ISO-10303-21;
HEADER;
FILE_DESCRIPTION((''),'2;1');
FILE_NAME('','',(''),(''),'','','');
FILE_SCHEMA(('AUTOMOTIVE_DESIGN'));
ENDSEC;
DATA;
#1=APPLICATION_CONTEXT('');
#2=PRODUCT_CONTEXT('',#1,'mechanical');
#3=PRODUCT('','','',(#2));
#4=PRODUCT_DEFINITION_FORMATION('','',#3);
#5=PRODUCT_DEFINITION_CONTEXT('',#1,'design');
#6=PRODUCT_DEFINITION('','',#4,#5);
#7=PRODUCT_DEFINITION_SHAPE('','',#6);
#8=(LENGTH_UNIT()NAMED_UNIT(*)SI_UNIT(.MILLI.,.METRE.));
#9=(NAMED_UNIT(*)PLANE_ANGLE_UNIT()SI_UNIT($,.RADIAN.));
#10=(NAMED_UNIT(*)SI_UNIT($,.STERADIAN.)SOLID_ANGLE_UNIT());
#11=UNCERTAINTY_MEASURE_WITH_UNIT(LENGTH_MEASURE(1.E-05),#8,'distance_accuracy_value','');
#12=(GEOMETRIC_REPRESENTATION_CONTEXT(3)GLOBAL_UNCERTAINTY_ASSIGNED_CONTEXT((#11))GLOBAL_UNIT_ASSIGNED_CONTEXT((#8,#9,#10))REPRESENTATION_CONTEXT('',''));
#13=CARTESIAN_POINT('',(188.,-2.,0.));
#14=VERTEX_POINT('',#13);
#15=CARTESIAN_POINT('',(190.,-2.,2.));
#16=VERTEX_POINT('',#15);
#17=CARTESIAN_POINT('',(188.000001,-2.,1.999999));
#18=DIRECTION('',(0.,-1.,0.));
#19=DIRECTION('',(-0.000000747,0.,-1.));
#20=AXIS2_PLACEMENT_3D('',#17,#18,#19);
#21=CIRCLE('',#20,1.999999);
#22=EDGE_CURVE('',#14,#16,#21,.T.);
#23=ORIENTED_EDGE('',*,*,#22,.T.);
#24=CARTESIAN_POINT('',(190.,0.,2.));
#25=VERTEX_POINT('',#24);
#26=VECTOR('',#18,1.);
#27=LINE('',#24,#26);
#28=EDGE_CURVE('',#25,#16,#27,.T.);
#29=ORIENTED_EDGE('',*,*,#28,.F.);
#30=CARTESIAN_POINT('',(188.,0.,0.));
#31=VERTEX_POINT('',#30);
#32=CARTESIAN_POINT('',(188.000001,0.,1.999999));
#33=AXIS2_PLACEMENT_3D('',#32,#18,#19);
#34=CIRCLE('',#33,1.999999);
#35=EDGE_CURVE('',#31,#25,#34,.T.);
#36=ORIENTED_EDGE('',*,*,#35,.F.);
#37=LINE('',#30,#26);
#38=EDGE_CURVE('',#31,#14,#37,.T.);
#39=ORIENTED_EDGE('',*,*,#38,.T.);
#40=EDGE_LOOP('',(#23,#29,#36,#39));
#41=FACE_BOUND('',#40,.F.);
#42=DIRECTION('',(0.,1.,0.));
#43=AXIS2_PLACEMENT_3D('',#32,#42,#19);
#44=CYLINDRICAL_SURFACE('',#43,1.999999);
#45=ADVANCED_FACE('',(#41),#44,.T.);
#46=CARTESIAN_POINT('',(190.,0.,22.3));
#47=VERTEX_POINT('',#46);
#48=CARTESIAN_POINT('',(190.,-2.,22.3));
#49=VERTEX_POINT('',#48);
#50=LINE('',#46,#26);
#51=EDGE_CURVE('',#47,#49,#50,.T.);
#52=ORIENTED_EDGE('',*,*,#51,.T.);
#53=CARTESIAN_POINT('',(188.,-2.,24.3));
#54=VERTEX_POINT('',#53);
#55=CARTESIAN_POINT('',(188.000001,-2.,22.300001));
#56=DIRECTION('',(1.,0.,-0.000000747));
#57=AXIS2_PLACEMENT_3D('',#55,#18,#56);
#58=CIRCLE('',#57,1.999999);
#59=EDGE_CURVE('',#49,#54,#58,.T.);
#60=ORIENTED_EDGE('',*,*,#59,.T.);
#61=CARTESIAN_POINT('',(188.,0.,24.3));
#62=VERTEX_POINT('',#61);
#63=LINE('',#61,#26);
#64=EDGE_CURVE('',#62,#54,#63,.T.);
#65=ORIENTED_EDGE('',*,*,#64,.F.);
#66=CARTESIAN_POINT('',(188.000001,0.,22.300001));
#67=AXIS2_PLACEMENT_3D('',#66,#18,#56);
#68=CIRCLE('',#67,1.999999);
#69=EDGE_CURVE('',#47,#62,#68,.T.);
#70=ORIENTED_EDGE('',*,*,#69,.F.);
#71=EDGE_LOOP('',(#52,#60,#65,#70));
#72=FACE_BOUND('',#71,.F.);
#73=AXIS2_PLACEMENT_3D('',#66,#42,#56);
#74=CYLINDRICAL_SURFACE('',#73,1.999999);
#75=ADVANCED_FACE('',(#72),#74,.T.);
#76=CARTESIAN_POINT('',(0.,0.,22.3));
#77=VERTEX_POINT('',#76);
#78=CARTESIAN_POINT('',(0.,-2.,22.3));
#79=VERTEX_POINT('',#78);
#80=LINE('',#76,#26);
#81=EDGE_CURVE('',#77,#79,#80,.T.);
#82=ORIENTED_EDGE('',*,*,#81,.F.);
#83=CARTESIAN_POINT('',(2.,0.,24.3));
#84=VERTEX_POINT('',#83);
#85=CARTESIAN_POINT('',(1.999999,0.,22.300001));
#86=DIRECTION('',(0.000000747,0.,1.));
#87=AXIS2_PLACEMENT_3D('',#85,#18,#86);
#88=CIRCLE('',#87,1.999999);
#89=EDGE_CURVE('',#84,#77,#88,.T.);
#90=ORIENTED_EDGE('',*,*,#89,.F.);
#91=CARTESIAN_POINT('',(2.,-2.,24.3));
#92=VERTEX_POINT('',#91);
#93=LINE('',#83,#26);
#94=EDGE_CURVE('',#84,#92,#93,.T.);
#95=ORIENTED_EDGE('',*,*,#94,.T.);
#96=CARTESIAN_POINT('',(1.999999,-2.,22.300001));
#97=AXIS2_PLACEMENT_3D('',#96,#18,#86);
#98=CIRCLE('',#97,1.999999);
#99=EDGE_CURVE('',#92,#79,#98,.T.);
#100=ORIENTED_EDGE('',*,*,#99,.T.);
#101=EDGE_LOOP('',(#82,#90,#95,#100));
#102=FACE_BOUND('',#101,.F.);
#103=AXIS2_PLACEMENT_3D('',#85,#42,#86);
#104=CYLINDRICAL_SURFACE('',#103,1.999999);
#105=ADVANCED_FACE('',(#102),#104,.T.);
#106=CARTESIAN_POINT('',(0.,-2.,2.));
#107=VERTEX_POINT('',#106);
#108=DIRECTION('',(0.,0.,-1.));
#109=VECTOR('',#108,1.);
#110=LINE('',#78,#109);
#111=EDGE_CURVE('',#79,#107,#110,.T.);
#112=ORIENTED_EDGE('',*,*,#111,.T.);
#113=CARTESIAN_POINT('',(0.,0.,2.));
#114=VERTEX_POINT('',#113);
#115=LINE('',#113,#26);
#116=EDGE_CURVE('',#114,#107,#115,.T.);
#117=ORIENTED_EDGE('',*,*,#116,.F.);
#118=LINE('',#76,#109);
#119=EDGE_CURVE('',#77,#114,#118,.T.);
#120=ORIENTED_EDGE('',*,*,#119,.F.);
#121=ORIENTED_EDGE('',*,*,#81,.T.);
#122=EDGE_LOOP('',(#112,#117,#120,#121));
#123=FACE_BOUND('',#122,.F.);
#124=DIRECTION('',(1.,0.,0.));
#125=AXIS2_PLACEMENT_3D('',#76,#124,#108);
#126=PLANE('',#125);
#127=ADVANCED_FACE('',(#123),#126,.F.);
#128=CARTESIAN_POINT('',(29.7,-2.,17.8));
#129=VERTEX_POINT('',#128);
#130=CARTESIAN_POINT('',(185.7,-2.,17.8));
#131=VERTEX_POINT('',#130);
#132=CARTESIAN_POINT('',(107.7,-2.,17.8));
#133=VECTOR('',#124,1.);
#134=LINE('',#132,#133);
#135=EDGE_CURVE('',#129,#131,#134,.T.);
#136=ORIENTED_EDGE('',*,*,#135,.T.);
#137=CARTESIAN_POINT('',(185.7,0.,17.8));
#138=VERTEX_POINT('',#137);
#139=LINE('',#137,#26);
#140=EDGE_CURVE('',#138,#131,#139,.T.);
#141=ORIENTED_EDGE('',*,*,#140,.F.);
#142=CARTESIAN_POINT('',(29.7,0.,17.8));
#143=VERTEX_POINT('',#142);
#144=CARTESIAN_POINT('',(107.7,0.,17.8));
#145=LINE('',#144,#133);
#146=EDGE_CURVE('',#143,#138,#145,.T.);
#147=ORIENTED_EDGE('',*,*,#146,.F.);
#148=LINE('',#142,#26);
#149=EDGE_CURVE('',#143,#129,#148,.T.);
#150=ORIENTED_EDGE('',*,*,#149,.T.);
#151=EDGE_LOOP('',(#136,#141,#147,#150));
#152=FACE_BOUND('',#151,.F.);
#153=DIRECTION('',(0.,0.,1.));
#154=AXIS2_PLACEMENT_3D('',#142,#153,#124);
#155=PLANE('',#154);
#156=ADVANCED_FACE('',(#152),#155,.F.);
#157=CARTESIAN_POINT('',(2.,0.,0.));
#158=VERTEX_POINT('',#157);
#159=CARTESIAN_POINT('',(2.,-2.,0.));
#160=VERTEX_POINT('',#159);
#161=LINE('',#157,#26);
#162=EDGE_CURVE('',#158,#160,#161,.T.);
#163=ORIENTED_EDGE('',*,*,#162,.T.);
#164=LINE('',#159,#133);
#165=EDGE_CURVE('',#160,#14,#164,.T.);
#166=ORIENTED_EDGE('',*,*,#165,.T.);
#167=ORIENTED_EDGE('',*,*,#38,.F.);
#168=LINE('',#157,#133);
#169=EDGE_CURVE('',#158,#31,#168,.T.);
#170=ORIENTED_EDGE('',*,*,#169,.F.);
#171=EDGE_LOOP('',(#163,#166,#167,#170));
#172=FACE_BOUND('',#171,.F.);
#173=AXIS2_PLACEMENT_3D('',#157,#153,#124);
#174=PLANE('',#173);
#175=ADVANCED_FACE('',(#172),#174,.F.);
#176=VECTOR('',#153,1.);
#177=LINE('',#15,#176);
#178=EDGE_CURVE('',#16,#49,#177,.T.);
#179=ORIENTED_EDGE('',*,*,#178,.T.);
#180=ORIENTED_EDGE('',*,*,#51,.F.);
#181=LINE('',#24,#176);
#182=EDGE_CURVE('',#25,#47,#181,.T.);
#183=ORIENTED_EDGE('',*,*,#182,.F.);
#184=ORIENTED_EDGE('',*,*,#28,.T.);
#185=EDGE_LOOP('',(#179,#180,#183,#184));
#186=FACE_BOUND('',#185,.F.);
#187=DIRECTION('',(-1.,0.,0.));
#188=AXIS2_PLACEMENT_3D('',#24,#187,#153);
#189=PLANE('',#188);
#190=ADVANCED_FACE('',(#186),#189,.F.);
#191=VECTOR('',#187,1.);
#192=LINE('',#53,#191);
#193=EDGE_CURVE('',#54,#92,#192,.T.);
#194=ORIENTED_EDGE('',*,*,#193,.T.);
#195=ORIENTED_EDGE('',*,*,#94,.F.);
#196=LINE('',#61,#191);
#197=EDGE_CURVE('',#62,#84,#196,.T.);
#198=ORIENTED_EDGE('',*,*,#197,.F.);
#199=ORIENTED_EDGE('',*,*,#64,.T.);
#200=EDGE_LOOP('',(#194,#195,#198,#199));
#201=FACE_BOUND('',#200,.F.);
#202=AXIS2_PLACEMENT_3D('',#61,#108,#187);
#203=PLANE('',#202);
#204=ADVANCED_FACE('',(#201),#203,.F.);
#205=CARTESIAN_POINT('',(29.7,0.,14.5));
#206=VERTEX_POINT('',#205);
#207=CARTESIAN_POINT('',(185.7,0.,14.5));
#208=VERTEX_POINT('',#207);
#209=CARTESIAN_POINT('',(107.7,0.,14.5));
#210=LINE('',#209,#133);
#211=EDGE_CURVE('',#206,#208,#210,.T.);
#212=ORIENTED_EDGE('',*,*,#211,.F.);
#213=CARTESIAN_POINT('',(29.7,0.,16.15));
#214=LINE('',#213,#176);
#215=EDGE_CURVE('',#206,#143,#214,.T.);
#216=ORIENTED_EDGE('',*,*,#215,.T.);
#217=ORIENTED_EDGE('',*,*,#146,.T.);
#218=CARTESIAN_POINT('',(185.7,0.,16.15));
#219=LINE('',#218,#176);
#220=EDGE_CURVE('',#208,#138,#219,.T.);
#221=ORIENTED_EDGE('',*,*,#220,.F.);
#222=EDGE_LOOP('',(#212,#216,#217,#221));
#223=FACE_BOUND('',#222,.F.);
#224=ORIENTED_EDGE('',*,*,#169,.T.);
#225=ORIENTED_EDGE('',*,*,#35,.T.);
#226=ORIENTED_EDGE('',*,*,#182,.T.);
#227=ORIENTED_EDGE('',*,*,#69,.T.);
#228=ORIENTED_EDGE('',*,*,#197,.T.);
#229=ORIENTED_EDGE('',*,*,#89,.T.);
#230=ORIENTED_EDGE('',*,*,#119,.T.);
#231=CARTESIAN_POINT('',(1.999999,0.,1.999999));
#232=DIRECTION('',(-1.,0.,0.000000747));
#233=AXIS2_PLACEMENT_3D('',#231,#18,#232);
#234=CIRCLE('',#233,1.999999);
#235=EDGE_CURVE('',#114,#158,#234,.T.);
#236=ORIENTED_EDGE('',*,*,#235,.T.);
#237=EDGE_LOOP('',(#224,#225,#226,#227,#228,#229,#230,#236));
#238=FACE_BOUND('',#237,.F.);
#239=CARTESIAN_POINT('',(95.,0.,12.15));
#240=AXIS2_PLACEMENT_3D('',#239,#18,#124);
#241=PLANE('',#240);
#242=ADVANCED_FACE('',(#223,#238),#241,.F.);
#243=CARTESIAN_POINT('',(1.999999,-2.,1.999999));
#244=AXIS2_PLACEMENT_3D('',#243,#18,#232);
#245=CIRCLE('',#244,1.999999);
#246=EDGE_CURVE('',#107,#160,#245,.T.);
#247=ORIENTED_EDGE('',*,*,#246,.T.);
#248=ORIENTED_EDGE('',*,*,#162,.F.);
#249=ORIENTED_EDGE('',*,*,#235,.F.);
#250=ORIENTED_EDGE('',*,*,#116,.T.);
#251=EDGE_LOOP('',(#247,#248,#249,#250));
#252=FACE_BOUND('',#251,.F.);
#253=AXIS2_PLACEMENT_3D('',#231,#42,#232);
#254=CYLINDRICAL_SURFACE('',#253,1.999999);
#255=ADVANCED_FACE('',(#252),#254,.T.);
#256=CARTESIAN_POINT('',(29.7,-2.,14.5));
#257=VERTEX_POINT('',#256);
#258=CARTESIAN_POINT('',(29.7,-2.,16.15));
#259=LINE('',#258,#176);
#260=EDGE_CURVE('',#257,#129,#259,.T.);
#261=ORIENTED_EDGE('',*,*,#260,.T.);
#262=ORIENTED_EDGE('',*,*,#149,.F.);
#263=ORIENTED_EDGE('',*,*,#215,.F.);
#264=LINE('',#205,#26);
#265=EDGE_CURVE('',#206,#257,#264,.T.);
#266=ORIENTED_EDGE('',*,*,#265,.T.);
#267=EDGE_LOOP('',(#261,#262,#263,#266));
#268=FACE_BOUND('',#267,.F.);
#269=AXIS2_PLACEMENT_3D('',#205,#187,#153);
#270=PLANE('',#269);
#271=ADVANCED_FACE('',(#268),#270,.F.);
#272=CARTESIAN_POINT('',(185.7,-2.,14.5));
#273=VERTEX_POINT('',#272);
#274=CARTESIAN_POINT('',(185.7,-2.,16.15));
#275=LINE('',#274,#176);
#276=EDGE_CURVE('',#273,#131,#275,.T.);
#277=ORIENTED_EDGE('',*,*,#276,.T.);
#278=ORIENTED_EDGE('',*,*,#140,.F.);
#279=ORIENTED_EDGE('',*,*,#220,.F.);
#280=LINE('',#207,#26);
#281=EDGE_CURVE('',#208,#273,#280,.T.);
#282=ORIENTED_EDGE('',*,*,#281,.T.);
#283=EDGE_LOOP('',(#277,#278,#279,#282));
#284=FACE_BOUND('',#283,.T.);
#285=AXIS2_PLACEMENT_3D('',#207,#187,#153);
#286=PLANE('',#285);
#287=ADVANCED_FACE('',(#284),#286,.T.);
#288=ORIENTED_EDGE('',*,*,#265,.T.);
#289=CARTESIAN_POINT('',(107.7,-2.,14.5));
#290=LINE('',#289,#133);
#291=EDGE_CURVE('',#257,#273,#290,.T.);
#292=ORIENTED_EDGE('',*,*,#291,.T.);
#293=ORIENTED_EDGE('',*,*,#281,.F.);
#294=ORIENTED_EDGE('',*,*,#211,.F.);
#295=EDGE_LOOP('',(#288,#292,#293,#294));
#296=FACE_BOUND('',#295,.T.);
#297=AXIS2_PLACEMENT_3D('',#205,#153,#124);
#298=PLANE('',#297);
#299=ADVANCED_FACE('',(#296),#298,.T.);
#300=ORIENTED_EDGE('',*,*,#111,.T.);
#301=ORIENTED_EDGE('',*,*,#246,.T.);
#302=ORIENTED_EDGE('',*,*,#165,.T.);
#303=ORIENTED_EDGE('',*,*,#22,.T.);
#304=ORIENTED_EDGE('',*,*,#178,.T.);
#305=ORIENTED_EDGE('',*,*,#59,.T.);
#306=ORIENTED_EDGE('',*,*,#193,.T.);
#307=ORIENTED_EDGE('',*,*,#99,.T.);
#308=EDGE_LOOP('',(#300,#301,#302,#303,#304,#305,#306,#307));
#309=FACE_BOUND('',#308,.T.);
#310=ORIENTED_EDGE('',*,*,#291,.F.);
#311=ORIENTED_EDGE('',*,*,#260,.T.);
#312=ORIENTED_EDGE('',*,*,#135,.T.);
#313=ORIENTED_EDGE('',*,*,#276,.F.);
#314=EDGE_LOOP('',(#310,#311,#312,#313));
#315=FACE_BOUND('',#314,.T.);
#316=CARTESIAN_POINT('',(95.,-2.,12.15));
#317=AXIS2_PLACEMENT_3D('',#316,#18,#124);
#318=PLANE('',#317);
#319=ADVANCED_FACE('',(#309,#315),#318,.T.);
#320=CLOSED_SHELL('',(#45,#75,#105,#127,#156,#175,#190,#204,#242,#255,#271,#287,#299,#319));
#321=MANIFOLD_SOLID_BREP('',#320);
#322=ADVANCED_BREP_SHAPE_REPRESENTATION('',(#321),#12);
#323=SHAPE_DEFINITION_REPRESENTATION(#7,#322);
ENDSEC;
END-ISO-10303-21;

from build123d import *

# Parameters (mm, degrees)
F0_W     = 156
F0_H     = 3.3
F1_DEPTH = 2


with BuildPart() as f1:
    # F0 (on Front) → F1 (new body)
    with BuildSketch(Plane.XZ):
        with BuildLine():
            ThreePointArc((0, 2), (0.585786, 0.585786), (2, 0))
            Line((2, 0), (188, 0))
            ThreePointArc((188, 0), (189.414214, 0.585786), (190, 2))
            Line((190, 2), (190, 22.3))
            ThreePointArc((190, 22.3), (189.414214, 23.714214), (188, 24.3))
            Line((188, 24.3), (2, 24.3))
            ThreePointArc((2, 24.3), (0.585786, 23.714214), (0, 22.3))
            Line((0, 22.3), (0, 2))
        make_face()
        with Locations((107.7, 16.15)):
            Rectangle(F0_W, F0_H, mode=Mode.SUBTRACT)
    extrude(amount=F1_DEPTH)


solid = f1.part
